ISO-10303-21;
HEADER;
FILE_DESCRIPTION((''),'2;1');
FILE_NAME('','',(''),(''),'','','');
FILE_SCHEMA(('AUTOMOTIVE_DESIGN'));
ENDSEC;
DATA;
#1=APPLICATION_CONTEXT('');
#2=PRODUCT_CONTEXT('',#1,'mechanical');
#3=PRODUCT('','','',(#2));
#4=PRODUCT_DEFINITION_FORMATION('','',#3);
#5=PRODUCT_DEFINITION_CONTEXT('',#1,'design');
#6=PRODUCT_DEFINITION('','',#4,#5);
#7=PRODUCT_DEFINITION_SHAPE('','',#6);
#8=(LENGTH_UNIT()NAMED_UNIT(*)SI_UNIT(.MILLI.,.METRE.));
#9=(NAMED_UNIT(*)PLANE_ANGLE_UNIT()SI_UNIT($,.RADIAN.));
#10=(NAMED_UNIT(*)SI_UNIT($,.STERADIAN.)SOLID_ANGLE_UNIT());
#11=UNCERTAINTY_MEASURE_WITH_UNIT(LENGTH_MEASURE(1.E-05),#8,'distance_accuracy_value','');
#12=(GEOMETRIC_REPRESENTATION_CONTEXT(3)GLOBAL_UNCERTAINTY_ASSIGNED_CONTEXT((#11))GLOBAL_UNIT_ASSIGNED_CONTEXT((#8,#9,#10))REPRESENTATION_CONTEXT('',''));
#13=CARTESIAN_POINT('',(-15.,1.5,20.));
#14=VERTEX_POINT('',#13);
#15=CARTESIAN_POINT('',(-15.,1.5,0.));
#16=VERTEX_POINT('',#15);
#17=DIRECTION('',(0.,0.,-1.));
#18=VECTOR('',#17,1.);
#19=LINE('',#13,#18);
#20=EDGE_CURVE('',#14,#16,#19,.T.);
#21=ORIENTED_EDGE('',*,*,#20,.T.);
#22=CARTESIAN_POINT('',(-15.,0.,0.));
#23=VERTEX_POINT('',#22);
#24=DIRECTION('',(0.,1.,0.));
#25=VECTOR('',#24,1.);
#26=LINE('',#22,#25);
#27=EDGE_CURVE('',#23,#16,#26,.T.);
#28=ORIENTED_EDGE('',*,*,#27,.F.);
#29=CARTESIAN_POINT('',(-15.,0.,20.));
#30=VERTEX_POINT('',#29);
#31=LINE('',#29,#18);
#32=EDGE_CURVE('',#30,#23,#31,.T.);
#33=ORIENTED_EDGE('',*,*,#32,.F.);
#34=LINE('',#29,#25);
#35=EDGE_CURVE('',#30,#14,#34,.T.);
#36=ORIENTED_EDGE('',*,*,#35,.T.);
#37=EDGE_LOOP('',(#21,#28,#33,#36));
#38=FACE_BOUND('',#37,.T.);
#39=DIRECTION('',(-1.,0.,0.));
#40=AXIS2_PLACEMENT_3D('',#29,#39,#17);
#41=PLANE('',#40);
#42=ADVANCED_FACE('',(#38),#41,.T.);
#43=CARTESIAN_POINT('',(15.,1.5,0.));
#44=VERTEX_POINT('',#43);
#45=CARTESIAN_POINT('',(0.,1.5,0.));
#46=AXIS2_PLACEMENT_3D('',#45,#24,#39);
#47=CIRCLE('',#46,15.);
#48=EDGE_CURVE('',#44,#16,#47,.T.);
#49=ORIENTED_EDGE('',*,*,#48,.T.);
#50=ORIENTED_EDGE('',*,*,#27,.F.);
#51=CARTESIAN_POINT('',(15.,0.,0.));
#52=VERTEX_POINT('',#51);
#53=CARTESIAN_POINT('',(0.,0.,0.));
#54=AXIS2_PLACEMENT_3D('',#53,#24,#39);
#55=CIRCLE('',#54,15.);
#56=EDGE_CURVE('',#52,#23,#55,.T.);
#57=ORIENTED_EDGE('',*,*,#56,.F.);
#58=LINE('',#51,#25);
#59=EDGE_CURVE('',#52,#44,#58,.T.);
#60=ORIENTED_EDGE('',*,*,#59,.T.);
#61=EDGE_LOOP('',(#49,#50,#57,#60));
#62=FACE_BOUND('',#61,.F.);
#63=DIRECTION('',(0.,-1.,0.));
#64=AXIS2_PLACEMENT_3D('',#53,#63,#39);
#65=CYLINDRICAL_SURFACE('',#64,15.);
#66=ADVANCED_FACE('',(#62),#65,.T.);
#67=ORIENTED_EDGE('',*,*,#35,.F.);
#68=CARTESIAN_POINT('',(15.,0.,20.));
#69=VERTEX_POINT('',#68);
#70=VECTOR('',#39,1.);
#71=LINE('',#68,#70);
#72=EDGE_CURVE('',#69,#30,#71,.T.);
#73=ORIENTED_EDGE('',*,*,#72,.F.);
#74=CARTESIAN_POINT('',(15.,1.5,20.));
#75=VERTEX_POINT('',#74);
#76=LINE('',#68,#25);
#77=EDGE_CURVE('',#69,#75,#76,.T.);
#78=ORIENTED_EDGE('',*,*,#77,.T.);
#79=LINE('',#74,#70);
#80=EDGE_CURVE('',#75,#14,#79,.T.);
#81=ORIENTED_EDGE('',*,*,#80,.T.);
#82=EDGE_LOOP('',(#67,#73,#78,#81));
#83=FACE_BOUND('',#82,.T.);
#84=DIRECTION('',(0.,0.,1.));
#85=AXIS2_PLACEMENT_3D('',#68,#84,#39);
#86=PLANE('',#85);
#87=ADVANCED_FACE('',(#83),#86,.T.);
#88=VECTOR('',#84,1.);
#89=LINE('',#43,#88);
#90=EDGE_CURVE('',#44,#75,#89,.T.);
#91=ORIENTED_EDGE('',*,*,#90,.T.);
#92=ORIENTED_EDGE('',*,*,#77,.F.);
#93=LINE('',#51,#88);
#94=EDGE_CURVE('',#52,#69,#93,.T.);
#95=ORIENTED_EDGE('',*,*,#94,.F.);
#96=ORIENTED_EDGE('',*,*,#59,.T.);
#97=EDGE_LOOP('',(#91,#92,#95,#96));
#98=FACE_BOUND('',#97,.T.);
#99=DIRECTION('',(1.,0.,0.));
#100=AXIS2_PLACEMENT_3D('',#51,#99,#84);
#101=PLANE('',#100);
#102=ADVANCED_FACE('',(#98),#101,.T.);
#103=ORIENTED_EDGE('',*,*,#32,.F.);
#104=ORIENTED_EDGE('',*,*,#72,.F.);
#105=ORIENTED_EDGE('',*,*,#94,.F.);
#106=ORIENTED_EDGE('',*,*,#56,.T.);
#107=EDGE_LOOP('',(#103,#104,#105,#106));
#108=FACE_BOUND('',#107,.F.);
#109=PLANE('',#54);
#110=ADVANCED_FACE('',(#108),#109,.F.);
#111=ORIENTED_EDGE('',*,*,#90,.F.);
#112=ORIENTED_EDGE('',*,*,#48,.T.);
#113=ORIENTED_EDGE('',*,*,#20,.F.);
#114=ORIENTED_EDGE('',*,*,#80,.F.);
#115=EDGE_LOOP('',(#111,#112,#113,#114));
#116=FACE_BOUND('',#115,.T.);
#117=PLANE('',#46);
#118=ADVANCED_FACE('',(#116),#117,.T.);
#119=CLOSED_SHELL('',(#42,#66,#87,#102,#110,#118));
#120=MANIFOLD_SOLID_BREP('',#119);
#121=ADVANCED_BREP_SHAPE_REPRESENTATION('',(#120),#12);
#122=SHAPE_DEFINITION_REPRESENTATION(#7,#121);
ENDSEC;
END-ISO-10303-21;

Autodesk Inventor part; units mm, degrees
ref_plane "YZ Plane" through (0, 0, 0) normal (1, 0, 0) x (0, 1, 0)
ref_plane "XZ Plane" through (0, 0, 0) normal (0, 1, 0) x (-1, 0, 0)
ref_plane "XY Plane" through (0, 0, 0) normal (0, 0, 1) x (1, 0, 0)
sketch "Sketch1" plane through (0, 0, 0) normal (0, 1, 0) x (-1, 0, 0)
  circle A0 centre (0, 0) radius 15
  line L0 (15, 0) -> (-15, 0)
  line L1 (-15, 0) -> (-15, 20)
  line L2 (-15, 20) -> (15, 20)
  line L3 (15, 20) -> (15, 0)
  dimension "d0" = 30
  dimension "d1" = 30
  dimension "d2" = 20
extrude "Plate1" add sketch "Sketch1" along normal blind 1.5
equation "\"d3\" = Thickness"
equation "\"BendReliefWidth\" = Thickness"
equation "\"BendReliefDepth\" = 0.5 * Thickness"
equation "\"CornerReliefSize\" = 4 * Thickness"
equation "\"MinimumRemnant\" = 2 * Thickness"
equation "\"TransitionRadius\" = BendRadius"
equation "\"JacobiRadiusSize\" = BendRadius"
equation "\"GapSize\" = Thickness"
equation "\"Thickness\" = 1.5"
equation "\"BendRadius\" = 0.31"
properties part number "Frame_Bottom_Plate" material "Aluminum 6061"
